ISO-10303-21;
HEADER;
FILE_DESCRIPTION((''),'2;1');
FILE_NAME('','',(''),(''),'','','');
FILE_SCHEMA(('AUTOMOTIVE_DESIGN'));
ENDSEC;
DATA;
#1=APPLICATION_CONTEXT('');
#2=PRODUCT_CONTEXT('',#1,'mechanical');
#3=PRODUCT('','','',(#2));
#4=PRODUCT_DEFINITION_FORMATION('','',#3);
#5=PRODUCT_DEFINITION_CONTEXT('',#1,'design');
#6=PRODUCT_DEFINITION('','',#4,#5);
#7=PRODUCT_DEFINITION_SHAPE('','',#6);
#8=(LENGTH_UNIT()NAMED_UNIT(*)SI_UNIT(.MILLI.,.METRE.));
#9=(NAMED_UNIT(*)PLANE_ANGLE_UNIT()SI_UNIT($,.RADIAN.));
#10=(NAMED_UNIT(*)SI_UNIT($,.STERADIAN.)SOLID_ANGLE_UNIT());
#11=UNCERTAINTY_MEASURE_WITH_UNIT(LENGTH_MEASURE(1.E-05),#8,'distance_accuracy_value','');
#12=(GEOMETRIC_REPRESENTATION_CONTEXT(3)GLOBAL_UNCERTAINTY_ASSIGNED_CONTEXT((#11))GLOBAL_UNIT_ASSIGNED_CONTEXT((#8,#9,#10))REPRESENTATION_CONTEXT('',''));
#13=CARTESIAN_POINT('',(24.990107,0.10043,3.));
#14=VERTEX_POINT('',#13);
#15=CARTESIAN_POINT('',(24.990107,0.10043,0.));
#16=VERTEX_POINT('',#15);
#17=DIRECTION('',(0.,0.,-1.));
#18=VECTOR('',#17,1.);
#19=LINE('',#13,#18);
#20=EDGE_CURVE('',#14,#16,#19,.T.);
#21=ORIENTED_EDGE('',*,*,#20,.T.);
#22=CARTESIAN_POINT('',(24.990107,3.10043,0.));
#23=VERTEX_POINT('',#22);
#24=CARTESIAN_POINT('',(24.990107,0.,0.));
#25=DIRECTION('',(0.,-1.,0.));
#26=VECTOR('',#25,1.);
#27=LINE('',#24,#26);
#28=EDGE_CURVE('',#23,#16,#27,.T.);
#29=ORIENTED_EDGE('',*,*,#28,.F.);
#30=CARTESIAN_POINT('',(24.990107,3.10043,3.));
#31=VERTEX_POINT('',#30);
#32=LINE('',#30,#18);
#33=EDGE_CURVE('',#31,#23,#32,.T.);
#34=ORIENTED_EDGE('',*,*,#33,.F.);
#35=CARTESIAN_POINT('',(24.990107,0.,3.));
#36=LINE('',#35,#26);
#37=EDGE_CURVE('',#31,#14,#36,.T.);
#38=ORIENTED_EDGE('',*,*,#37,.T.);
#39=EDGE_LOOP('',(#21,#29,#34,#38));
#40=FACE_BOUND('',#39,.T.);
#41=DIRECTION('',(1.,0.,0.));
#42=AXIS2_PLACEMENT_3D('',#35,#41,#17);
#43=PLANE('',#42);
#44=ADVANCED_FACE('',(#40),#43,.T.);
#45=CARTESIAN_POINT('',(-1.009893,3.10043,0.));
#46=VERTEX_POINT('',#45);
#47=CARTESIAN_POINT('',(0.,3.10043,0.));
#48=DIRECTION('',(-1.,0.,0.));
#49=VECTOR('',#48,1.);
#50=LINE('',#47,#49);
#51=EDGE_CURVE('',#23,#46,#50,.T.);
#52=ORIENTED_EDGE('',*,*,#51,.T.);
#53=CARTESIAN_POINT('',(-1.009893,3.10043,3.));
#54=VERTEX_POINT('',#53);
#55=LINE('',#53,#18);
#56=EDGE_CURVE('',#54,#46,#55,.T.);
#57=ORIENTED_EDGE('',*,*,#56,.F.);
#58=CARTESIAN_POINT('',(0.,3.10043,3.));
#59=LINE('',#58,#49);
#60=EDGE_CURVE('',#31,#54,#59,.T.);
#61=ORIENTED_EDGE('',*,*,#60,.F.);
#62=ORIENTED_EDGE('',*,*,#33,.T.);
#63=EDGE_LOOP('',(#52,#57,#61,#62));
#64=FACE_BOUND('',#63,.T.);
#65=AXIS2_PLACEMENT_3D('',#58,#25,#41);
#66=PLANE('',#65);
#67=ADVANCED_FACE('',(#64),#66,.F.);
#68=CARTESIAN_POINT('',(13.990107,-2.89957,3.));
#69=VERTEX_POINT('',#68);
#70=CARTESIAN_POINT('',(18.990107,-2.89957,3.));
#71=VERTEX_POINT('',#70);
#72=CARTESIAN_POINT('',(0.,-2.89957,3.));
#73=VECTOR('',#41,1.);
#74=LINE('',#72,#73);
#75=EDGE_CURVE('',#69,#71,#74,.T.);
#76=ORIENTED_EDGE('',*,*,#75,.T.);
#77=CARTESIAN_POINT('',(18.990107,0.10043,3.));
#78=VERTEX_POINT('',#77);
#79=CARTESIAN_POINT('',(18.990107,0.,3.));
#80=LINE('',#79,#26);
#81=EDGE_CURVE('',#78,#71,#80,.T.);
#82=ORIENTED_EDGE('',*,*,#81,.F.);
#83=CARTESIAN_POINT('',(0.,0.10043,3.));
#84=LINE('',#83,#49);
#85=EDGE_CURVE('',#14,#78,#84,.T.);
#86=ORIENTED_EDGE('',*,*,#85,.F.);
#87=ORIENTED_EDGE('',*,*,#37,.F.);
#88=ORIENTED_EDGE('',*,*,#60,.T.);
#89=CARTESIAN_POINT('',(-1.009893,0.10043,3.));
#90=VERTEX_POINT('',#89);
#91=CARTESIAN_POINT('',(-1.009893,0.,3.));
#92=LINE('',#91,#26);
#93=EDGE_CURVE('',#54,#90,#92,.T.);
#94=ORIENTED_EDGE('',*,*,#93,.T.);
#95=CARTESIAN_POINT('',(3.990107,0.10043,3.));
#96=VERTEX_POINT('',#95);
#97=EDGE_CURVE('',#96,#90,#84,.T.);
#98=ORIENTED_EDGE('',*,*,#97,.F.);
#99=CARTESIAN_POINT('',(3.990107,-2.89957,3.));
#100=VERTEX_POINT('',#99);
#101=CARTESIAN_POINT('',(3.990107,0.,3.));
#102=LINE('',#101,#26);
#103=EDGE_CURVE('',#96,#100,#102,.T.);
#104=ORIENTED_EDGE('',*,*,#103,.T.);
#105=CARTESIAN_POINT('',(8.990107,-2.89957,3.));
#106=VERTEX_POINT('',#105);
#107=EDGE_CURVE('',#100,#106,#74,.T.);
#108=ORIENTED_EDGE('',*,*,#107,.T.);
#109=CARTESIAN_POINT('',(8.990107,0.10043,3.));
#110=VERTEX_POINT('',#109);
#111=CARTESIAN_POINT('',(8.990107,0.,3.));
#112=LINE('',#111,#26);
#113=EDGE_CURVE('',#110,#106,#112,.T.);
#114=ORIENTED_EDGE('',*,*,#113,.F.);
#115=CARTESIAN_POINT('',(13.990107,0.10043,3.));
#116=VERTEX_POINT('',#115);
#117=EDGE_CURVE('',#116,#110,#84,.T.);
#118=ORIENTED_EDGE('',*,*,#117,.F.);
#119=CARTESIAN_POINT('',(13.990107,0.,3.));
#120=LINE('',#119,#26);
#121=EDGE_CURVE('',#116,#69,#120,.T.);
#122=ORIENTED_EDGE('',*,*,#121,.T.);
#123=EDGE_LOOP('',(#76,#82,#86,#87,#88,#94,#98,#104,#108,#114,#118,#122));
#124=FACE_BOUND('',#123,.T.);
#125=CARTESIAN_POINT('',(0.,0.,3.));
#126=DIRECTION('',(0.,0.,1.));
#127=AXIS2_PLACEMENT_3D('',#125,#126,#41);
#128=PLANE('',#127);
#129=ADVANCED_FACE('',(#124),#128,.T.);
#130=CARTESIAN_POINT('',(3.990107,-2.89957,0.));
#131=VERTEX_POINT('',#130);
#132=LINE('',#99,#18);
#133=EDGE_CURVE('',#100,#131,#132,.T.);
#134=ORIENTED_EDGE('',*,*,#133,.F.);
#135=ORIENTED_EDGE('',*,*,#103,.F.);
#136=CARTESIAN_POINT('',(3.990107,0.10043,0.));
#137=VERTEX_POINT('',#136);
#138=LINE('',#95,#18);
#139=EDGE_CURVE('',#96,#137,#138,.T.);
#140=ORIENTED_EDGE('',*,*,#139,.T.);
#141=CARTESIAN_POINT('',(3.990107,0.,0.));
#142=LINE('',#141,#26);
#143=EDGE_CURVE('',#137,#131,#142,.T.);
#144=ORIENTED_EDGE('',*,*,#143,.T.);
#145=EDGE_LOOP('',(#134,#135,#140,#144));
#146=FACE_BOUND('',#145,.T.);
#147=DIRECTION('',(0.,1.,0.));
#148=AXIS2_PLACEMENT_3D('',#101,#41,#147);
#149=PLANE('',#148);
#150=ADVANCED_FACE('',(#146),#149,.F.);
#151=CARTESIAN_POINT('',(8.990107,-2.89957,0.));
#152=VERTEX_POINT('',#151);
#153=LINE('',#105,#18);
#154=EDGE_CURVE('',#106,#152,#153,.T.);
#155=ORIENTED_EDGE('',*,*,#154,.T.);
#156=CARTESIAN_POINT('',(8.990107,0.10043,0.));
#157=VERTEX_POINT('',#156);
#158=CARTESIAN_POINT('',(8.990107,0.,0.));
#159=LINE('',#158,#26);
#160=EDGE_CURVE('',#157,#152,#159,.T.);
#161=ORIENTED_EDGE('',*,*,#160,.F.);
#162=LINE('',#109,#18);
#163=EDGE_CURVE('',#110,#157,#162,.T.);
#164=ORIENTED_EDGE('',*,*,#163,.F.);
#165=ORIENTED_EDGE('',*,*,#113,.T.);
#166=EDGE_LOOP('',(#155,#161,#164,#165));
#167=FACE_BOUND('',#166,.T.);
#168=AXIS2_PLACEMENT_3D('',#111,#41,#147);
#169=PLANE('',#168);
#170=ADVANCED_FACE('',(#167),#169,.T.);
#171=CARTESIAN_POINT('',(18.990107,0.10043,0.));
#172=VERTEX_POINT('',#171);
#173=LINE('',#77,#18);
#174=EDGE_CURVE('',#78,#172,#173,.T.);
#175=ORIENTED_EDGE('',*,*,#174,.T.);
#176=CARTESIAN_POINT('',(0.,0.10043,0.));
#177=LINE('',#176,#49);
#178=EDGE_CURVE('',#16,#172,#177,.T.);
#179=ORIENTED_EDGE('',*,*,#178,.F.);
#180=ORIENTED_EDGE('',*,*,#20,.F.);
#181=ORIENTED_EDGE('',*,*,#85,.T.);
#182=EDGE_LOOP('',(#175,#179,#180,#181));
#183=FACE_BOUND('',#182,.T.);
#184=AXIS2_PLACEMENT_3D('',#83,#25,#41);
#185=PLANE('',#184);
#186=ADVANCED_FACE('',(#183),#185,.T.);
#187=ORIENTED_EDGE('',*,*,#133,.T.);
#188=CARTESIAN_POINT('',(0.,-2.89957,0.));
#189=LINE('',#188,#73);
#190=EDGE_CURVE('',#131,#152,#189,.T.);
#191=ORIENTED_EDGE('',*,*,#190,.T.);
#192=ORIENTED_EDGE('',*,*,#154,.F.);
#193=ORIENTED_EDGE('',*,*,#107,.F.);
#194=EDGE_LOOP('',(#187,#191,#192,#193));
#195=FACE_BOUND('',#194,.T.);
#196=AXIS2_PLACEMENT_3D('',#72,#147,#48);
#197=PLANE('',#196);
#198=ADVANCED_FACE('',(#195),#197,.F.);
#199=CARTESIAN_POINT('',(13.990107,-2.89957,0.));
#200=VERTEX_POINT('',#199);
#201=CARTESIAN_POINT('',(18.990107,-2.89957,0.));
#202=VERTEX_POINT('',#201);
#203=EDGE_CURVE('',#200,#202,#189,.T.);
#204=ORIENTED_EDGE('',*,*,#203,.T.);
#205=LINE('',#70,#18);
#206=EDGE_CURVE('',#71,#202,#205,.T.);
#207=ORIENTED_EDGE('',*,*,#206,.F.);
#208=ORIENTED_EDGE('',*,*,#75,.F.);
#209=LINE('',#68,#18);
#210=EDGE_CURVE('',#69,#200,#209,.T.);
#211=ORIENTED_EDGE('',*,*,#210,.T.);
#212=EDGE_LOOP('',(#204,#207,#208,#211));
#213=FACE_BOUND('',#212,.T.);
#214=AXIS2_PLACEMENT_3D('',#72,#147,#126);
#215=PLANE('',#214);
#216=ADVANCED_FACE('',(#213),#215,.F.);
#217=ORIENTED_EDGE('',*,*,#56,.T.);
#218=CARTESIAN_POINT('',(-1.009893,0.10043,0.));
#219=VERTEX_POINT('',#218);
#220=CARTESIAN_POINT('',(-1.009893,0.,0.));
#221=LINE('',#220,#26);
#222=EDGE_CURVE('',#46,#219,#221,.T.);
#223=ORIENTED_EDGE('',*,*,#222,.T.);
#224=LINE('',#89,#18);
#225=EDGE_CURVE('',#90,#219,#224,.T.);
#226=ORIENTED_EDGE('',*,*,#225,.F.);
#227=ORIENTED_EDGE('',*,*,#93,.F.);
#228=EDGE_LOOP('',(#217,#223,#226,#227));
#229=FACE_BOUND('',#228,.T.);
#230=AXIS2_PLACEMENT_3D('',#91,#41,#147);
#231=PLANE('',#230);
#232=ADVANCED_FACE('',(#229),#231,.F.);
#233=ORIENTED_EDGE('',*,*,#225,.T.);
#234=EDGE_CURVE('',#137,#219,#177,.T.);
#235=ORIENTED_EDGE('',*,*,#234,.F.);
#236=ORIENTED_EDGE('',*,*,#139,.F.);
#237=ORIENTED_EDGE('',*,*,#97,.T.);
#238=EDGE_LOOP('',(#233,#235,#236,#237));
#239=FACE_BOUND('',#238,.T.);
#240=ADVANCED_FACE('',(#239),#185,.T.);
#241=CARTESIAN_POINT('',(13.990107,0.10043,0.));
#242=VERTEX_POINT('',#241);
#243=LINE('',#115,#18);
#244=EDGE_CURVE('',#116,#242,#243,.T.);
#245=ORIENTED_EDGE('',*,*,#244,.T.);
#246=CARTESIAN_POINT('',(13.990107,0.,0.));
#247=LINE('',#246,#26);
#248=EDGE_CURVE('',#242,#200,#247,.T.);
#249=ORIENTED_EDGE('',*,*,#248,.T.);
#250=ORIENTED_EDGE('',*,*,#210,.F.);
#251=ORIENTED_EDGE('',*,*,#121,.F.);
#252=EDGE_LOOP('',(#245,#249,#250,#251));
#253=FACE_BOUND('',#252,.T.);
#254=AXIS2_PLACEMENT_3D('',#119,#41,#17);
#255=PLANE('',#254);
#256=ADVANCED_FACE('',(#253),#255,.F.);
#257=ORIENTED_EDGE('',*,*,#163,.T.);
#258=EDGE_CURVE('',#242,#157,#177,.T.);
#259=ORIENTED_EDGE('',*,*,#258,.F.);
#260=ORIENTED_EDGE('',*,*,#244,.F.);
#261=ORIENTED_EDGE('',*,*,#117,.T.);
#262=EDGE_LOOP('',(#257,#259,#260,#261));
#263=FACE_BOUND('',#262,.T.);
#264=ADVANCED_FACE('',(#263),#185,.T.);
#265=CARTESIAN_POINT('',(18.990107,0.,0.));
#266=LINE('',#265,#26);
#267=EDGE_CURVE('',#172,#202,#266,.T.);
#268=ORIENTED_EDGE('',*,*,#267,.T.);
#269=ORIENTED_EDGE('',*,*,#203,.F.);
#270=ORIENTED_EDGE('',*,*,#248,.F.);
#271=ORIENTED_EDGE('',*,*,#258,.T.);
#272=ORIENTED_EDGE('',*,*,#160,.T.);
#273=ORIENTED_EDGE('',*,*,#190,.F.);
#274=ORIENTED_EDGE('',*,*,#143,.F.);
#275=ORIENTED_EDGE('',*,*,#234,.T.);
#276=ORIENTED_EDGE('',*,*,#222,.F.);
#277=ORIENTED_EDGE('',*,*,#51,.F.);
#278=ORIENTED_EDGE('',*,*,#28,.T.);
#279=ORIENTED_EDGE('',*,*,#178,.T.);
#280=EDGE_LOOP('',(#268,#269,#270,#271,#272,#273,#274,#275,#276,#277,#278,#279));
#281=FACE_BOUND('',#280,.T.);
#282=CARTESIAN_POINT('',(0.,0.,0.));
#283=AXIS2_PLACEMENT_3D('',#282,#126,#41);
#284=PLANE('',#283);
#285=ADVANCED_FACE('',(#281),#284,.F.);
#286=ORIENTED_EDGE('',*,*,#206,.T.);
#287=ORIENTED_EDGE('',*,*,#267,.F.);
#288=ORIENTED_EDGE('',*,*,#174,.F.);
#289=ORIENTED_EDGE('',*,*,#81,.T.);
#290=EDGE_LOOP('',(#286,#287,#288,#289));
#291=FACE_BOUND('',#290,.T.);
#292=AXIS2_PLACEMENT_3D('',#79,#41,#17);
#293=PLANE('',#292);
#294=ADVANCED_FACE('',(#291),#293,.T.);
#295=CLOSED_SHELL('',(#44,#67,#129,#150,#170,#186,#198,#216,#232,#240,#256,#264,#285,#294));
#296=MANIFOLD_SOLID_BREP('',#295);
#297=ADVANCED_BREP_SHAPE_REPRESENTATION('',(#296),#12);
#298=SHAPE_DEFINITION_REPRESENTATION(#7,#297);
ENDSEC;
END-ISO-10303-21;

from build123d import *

# Parameters (mm, degrees)
ESQUISSE1_W        = 5
ESQUISSE1_H        = 3
BOSS_EXTRU_1_DEPTH = 3


with BuildPart() as part:
    # Esquisse1 → Boss.-Extru.1 (new body)
    with BuildSketch(Plane.XY):
        with Locations((6.490106642, -1.399569673)):
            Rectangle(ESQUISSE1_W, ESQUISSE1_H)
        with Locations((16.490106642, -1.399569673)):
            Rectangle(ESQUISSE1_W, ESQUISSE1_H)
        Polygon((-1.009893358, 0.100430327), (3.990106642, 0.100430327), (8.990106642, 0.100430327), (13.990106642, 0.100430327), (18.990106642, 0.100430327), (24.990106642, 0.100430327), (24.990106642, 3.100430327), (-1.009893358, 3.100430327), align=None)
    extrude(amount=BOSS_EXTRU_1_DEPTH)


solid = part.part
